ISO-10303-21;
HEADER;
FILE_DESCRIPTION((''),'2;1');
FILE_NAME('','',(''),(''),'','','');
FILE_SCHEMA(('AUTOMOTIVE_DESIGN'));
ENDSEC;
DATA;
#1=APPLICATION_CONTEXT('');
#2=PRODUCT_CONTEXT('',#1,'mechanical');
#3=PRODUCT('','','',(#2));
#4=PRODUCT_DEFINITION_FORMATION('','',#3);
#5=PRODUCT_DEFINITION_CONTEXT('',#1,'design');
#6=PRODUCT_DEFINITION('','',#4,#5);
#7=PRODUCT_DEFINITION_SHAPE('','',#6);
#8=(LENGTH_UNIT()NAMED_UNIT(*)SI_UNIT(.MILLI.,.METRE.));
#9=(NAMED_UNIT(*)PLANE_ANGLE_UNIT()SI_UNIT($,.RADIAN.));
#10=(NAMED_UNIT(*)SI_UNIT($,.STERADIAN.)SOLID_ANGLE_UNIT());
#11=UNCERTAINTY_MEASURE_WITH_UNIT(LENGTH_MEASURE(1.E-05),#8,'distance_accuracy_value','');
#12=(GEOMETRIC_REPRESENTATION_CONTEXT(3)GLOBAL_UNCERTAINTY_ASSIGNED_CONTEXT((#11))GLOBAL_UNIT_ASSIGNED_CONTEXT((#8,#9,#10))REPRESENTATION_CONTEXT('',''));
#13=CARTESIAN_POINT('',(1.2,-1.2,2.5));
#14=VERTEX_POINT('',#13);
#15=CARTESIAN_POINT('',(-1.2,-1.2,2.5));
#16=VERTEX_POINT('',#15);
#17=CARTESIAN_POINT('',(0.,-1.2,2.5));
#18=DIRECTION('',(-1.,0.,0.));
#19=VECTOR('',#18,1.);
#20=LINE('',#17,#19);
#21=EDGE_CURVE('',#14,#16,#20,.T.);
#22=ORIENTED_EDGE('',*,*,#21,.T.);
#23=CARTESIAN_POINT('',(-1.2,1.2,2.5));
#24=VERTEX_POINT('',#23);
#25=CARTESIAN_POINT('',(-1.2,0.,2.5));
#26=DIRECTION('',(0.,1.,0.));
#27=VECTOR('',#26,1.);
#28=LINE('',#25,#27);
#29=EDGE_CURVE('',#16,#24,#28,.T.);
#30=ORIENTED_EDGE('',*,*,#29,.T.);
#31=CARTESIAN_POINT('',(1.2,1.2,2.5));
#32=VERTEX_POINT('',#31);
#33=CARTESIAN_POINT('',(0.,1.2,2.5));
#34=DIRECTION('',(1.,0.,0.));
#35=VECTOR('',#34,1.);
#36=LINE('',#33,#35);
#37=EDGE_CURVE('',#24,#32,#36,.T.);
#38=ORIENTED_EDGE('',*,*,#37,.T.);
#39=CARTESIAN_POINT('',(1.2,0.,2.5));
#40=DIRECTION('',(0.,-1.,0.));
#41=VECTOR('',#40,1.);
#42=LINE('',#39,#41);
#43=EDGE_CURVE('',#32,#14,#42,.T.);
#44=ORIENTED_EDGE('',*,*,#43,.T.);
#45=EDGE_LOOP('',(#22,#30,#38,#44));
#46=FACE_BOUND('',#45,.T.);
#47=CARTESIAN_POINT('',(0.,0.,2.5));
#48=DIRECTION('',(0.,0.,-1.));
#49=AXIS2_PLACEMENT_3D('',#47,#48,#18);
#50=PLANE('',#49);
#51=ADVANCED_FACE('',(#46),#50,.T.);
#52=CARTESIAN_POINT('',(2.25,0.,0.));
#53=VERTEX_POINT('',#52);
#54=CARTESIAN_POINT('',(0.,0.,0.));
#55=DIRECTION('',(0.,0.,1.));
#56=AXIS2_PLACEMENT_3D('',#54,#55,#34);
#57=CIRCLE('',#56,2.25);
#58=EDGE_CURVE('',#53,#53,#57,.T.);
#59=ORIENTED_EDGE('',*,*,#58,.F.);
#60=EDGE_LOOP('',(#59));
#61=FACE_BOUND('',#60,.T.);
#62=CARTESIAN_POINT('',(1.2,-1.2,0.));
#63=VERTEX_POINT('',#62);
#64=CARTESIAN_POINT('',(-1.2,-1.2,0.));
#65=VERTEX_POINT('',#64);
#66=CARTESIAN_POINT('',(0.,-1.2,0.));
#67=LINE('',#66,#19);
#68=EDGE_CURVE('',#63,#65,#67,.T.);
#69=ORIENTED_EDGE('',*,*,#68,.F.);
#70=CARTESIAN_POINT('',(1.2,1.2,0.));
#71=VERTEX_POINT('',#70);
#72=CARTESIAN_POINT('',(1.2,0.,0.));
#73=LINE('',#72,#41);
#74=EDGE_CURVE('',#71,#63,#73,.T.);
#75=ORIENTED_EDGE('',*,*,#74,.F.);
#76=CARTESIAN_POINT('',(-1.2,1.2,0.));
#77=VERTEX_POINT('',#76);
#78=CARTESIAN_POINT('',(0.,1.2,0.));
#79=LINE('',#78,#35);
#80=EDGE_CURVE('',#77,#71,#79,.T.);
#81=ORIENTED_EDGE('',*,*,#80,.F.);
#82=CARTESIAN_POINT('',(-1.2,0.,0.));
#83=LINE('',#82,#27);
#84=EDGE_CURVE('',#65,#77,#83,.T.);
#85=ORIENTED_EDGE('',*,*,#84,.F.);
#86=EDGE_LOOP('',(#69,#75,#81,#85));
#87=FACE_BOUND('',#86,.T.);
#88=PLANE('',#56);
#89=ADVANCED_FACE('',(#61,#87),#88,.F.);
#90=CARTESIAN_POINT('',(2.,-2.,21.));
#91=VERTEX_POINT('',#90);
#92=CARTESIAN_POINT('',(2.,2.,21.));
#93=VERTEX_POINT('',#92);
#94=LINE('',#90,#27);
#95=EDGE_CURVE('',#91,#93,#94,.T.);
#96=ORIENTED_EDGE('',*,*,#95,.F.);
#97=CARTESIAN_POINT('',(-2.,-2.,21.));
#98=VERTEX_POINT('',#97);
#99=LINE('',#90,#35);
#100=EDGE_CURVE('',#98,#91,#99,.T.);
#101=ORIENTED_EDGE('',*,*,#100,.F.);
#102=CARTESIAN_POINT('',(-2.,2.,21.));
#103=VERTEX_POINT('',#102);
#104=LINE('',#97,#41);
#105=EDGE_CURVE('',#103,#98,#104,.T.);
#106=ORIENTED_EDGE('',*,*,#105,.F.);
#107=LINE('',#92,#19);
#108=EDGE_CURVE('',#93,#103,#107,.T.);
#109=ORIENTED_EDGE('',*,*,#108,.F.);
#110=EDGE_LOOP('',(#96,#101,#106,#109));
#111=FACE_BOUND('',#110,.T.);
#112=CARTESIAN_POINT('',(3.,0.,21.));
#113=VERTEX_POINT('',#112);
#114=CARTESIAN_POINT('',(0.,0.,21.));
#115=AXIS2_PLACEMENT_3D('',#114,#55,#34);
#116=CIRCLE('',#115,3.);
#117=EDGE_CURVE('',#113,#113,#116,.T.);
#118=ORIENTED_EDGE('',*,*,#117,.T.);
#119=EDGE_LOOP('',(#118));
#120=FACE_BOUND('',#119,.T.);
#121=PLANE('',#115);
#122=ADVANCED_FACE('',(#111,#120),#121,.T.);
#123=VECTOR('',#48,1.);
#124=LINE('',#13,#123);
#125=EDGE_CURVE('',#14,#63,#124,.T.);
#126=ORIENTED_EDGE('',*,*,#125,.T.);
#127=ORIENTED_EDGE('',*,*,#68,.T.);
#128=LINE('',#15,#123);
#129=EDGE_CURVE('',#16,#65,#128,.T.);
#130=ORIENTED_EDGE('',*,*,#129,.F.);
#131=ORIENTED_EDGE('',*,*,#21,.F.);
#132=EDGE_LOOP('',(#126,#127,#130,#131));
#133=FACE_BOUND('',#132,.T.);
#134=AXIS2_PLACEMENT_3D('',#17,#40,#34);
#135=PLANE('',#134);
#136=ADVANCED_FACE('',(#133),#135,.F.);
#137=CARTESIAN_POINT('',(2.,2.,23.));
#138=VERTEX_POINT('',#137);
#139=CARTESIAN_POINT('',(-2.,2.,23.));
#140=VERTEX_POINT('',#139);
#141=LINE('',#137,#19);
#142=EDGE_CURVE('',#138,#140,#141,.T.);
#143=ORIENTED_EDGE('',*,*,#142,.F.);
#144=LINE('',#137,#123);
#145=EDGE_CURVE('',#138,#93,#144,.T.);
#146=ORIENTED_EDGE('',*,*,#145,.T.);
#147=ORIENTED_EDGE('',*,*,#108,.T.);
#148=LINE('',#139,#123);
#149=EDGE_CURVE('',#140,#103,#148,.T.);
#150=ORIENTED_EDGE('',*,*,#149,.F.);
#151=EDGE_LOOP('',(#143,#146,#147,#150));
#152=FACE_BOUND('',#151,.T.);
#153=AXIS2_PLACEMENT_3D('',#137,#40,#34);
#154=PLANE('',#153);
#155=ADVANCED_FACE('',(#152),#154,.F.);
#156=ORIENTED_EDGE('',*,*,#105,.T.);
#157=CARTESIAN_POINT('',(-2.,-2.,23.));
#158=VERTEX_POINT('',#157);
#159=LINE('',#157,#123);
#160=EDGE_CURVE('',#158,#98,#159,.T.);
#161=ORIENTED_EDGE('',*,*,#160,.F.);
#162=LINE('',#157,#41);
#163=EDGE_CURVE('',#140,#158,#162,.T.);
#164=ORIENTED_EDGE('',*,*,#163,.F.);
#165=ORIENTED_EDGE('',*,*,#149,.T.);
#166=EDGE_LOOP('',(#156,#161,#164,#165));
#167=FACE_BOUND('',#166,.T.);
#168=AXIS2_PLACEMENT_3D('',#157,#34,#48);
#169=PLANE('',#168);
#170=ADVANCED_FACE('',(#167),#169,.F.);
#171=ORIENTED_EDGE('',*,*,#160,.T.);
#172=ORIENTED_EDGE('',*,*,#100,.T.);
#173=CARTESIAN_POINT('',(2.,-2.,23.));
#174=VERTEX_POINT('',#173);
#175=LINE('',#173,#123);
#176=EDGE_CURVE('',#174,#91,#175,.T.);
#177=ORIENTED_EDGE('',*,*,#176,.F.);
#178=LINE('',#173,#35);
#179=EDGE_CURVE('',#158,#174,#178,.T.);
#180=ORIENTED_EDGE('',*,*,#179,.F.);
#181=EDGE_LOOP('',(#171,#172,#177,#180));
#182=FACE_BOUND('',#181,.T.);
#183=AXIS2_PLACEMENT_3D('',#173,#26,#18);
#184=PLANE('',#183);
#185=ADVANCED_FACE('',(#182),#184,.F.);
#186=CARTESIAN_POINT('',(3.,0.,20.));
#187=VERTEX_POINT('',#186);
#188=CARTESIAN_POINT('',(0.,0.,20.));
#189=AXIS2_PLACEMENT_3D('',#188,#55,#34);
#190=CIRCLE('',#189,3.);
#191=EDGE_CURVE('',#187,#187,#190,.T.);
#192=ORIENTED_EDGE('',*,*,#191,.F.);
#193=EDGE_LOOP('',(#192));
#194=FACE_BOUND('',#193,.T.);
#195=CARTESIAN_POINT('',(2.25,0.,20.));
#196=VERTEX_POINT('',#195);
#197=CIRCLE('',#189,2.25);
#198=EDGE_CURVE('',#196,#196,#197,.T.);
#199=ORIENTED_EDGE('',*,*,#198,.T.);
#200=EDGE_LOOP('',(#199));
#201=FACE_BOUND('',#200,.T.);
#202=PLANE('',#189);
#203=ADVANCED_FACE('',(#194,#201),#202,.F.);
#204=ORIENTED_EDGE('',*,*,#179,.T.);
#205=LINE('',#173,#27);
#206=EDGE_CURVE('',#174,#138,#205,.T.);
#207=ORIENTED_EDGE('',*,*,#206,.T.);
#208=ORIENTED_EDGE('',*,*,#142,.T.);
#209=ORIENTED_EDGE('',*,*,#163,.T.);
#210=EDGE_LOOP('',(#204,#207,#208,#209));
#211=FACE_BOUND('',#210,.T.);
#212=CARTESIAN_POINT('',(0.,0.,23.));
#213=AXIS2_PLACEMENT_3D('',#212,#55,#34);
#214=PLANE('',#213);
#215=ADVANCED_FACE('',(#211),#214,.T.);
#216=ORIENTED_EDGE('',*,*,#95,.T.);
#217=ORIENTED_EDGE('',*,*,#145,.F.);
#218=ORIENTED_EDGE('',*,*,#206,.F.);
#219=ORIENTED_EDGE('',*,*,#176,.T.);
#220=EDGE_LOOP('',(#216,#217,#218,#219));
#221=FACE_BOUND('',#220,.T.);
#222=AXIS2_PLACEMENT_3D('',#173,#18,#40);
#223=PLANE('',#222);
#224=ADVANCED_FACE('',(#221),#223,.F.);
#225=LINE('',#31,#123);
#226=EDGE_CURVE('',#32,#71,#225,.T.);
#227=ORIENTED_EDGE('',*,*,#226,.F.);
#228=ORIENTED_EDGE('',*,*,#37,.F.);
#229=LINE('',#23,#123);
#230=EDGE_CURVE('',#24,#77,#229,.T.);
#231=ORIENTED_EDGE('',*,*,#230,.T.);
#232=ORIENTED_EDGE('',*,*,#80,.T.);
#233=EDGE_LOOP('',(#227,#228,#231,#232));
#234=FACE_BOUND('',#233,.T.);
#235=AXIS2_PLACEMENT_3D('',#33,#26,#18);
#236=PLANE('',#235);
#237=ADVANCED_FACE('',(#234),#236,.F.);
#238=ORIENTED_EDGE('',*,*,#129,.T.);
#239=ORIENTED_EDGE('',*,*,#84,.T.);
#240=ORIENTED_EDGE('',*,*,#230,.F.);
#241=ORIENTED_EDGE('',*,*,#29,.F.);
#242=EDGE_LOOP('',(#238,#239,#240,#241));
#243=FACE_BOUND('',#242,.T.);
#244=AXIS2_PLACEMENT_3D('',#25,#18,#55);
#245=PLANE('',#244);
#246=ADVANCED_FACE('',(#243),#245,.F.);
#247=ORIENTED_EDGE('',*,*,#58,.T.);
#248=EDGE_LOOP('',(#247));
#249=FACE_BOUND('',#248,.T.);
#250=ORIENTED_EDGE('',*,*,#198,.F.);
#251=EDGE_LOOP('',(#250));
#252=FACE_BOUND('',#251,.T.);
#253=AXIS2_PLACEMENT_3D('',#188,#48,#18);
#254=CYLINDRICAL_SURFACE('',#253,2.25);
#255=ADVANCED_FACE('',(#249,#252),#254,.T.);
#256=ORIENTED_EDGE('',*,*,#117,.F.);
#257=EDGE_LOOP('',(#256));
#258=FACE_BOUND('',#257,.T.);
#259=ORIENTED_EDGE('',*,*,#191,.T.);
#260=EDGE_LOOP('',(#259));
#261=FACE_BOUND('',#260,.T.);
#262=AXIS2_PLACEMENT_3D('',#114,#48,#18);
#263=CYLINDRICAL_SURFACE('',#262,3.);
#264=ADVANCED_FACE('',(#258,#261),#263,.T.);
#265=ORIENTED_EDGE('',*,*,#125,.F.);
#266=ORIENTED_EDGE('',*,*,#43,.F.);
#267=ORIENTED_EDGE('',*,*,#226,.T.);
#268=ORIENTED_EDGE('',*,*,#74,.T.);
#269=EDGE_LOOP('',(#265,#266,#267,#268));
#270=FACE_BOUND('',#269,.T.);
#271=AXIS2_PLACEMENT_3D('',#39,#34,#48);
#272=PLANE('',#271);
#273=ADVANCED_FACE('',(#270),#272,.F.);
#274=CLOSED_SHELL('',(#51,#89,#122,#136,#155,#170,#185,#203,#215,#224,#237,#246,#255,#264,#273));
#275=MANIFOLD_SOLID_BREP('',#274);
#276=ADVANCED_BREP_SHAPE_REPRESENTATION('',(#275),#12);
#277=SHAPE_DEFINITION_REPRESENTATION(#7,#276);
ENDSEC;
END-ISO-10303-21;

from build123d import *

# Parameters (mm, degrees)
SKETCH_1_R          = 2.25
EXTRUDE_2_DEPTH     = 20
SKETCH_7_W          = 2.4
SKETCH_7_H          = 2.4
CUT_EXTRUDE_3_DEPTH = 2.5
SKETCH_9_R          = 3
EXTRUDE_4_DEPTH     = 1
SKETCH_10_W         = 4
SKETCH_10_H         = 4
EXTRUDE_5_DEPTH     = 2


with BuildPart() as part:
    # 草图1 → 凸台-拉伸2 (new body)
    with BuildSketch(Plane.XY):
        Circle(SKETCH_1_R)
    extrude(amount=EXTRUDE_2_DEPTH)

    # 草图7 → 切除-拉伸3 (cut)
    with BuildSketch(Plane.XY):
        Rectangle(SKETCH_7_W, SKETCH_7_H)
    extrude(amount=CUT_EXTRUDE_3_DEPTH, mode=Mode.SUBTRACT)

    # 草图9 → 凸台-拉伸4 (add)
    with BuildSketch(Plane.XY.offset(20)):
        Circle(SKETCH_9_R)
    extrude(amount=EXTRUDE_4_DEPTH)

    # 草图10 → 凸台-拉伸5 (add)
    with BuildSketch(Plane.XY.offset(21)):
        Rectangle(SKETCH_10_W, SKETCH_10_H)
    extrude(amount=EXTRUDE_5_DEPTH)


solid = part.part
